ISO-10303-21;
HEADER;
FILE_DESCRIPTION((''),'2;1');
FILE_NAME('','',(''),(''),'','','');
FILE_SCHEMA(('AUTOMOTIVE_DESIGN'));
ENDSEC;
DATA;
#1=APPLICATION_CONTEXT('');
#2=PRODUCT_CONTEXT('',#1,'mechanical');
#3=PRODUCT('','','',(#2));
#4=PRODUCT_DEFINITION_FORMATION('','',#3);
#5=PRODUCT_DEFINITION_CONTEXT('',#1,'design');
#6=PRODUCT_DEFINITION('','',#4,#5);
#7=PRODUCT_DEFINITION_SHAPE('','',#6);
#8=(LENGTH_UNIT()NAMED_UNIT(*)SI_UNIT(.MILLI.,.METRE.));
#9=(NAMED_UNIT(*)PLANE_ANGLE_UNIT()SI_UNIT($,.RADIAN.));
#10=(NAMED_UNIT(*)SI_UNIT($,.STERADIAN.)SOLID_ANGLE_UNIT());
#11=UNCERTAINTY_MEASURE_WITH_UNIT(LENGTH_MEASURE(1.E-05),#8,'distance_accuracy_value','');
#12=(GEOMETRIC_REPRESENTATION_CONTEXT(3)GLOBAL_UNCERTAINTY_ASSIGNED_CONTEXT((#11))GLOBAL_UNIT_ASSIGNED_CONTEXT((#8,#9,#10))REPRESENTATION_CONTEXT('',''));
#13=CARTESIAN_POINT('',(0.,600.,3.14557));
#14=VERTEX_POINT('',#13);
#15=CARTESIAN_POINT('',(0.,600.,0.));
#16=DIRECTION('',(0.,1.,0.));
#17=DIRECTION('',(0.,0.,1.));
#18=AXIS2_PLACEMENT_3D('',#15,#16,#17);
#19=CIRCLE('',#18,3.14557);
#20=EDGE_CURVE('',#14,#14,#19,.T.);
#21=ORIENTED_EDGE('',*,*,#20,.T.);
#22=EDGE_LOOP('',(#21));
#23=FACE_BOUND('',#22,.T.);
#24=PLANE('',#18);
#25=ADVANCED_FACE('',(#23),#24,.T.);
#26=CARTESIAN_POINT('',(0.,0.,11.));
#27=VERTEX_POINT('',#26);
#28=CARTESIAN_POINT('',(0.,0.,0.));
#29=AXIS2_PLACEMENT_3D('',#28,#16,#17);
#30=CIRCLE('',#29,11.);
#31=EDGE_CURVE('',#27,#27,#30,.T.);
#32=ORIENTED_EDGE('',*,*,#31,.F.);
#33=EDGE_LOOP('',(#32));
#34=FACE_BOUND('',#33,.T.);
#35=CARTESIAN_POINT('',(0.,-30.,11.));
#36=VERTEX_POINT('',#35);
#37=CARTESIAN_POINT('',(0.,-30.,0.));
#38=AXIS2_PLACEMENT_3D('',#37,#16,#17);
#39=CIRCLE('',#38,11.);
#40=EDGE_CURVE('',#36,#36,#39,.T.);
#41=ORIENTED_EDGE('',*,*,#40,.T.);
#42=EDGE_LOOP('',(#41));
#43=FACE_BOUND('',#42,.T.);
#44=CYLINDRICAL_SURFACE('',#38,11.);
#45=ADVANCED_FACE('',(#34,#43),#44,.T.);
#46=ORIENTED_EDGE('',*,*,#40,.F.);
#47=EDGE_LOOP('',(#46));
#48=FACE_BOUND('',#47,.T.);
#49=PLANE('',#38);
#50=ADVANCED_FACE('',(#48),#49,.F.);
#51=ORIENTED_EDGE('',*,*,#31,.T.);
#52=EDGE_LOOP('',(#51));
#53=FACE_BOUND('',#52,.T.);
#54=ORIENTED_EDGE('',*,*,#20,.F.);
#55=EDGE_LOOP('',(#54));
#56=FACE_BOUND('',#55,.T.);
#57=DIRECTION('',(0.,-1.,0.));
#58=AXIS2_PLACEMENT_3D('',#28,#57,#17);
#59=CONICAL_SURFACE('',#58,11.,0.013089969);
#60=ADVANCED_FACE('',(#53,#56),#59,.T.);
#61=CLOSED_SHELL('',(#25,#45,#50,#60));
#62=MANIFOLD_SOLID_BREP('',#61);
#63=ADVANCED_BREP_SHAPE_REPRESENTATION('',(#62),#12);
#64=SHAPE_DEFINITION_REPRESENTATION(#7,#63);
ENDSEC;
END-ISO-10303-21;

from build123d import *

# Parameters (mm, degrees)
SKETCH2_R                     = 11
BOSS_EXTRUDE1_DEPTH           = 600
BOSS_EXTRUDE1_TAPER           = 0.75
BOSS_EXTRUDE1_OTHER_WAY_DEPTH = 30


with BuildPart() as part:
    # Sketch2 → Boss-Extrude1 (new body)
    with BuildSketch(Plane(origin=(0, 0, 0), x_dir=(1, 0, 0), z_dir=(0, 1, 0))):
        Circle(SKETCH2_R)
    extrude(amount=BOSS_EXTRUDE1_DEPTH, taper=BOSS_EXTRUDE1_TAPER)

    # Sketch2 → Boss-Extrude1 other way (add)
    with BuildSketch(Plane(origin=(0, 0, 0), x_dir=(1, 0, 0), z_dir=(0, 1, 0))):
        Circle(SKETCH2_R)
    extrude(amount=-BOSS_EXTRUDE1_OTHER_WAY_DEPTH)


solid = part.part
